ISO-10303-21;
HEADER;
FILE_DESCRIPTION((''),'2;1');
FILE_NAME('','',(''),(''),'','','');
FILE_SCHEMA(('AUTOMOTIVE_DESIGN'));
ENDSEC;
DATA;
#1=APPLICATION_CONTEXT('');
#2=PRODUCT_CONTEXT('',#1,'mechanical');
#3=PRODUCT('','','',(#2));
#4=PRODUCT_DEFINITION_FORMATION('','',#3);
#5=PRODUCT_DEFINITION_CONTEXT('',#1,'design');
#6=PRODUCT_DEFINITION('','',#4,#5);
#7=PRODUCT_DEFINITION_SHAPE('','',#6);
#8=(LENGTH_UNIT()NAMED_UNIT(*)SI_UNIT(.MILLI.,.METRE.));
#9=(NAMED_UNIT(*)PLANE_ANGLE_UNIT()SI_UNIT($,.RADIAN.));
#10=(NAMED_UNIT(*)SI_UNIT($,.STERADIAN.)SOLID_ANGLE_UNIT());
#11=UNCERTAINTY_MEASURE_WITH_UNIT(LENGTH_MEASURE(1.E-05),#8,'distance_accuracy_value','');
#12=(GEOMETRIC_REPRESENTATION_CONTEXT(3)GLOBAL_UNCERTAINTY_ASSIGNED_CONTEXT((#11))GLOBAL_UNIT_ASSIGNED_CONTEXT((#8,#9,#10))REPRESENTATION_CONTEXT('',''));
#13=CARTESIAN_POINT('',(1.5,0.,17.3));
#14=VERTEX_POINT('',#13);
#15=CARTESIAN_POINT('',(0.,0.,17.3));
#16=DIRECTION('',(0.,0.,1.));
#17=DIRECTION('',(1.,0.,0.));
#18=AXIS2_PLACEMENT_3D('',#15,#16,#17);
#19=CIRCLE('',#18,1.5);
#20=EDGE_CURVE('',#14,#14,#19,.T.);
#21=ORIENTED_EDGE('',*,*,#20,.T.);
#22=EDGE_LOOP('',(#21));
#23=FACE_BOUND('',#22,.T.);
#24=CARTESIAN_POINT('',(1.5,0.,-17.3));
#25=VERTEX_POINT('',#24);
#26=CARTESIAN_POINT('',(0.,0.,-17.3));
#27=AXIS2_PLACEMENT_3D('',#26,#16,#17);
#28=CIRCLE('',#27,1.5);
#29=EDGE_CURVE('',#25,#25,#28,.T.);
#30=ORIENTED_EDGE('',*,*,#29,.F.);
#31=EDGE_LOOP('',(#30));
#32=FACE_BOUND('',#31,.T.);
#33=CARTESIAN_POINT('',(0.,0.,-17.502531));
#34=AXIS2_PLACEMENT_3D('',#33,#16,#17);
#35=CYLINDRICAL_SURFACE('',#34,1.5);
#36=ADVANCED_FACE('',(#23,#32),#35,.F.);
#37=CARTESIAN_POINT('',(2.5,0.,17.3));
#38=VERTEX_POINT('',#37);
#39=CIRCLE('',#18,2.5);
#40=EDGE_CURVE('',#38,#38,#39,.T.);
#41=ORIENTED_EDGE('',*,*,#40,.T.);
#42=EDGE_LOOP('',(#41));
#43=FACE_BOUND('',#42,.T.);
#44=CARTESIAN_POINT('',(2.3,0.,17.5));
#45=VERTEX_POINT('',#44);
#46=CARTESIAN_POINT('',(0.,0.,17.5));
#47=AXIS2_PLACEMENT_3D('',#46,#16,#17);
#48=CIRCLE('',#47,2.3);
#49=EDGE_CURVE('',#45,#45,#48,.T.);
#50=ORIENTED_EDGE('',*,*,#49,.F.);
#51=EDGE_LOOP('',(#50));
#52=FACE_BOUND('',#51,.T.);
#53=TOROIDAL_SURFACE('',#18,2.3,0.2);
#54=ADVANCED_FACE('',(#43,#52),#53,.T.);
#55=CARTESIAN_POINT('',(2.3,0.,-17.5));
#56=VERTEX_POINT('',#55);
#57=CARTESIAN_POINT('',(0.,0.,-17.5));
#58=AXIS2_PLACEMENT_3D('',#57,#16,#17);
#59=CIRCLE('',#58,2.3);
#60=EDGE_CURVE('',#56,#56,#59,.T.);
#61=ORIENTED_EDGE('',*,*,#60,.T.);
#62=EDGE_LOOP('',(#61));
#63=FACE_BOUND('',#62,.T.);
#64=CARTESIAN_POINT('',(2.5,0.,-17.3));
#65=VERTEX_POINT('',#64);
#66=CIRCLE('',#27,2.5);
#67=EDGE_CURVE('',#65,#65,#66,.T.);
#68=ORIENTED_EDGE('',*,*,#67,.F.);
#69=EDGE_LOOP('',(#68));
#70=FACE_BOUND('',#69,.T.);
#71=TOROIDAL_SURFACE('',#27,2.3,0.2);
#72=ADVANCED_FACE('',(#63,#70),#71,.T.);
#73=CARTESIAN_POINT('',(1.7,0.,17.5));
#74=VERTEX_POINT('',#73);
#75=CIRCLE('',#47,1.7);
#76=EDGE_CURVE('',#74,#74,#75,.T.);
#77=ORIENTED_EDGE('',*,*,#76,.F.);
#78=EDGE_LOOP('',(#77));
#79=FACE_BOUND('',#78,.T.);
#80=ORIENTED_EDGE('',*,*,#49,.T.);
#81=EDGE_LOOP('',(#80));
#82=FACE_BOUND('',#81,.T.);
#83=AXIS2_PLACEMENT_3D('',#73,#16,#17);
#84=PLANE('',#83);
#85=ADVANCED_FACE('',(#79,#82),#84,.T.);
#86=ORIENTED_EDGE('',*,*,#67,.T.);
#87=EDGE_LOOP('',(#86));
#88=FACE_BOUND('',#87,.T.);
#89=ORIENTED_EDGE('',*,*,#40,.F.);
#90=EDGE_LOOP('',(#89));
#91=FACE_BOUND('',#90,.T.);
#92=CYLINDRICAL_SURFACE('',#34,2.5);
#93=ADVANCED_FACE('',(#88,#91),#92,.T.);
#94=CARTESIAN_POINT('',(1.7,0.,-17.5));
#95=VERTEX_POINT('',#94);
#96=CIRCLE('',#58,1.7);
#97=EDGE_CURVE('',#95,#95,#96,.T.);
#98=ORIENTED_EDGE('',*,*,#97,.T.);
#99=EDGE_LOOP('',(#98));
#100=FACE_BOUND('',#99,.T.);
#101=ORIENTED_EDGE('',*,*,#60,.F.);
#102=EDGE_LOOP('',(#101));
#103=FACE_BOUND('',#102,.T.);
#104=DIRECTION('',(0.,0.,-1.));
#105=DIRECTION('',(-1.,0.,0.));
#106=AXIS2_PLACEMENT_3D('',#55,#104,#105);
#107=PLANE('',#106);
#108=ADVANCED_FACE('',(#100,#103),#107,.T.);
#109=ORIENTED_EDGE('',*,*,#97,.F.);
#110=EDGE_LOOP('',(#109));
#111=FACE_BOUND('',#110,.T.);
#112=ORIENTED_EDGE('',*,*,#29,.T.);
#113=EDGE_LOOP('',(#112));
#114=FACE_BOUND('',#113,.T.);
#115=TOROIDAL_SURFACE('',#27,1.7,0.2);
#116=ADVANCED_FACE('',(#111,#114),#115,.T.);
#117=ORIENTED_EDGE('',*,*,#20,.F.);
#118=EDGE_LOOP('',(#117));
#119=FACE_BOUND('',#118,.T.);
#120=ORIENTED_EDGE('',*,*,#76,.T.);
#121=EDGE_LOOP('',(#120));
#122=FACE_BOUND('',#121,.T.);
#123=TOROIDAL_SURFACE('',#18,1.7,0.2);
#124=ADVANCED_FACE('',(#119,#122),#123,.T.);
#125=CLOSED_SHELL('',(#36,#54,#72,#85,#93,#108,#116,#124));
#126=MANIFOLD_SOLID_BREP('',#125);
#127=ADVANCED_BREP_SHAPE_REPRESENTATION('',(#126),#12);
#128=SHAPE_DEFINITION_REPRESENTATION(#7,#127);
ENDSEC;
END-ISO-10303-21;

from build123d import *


with BuildPart() as part:
    # Croquis1 → Revolución1 (revolve)
    with BuildSketch(Plane(origin=(0, 0, 0), x_dir=(1, 0, 0), z_dir=(0, 1, 0))):
        with BuildLine():
            Line((1.5, 17.3), (1.5, -17.3))
            ThreePointArc((1.5, -17.3), (1.558578644, -17.441421356), (1.7, -17.5))
            Line((1.7, -17.5), (2.3, -17.5))
            ThreePointArc((2.3, -17.5), (2.441421356, -17.441421356), (2.5, -17.3))
            Line((2.5, -17.3), (2.5, 17.3))
            ThreePointArc((2.5, 17.3), (2.441421356, 17.441421356), (2.3, 17.5))
            Line((2.3, 17.5), (1.7, 17.5))
            ThreePointArc((1.7, 17.5), (1.558578644, 17.441421356), (1.5, 17.3))
        make_face()
    revolve(axis=Axis((0, 0, -17.502531008), (0, 0, 1)))


solid = part.part
